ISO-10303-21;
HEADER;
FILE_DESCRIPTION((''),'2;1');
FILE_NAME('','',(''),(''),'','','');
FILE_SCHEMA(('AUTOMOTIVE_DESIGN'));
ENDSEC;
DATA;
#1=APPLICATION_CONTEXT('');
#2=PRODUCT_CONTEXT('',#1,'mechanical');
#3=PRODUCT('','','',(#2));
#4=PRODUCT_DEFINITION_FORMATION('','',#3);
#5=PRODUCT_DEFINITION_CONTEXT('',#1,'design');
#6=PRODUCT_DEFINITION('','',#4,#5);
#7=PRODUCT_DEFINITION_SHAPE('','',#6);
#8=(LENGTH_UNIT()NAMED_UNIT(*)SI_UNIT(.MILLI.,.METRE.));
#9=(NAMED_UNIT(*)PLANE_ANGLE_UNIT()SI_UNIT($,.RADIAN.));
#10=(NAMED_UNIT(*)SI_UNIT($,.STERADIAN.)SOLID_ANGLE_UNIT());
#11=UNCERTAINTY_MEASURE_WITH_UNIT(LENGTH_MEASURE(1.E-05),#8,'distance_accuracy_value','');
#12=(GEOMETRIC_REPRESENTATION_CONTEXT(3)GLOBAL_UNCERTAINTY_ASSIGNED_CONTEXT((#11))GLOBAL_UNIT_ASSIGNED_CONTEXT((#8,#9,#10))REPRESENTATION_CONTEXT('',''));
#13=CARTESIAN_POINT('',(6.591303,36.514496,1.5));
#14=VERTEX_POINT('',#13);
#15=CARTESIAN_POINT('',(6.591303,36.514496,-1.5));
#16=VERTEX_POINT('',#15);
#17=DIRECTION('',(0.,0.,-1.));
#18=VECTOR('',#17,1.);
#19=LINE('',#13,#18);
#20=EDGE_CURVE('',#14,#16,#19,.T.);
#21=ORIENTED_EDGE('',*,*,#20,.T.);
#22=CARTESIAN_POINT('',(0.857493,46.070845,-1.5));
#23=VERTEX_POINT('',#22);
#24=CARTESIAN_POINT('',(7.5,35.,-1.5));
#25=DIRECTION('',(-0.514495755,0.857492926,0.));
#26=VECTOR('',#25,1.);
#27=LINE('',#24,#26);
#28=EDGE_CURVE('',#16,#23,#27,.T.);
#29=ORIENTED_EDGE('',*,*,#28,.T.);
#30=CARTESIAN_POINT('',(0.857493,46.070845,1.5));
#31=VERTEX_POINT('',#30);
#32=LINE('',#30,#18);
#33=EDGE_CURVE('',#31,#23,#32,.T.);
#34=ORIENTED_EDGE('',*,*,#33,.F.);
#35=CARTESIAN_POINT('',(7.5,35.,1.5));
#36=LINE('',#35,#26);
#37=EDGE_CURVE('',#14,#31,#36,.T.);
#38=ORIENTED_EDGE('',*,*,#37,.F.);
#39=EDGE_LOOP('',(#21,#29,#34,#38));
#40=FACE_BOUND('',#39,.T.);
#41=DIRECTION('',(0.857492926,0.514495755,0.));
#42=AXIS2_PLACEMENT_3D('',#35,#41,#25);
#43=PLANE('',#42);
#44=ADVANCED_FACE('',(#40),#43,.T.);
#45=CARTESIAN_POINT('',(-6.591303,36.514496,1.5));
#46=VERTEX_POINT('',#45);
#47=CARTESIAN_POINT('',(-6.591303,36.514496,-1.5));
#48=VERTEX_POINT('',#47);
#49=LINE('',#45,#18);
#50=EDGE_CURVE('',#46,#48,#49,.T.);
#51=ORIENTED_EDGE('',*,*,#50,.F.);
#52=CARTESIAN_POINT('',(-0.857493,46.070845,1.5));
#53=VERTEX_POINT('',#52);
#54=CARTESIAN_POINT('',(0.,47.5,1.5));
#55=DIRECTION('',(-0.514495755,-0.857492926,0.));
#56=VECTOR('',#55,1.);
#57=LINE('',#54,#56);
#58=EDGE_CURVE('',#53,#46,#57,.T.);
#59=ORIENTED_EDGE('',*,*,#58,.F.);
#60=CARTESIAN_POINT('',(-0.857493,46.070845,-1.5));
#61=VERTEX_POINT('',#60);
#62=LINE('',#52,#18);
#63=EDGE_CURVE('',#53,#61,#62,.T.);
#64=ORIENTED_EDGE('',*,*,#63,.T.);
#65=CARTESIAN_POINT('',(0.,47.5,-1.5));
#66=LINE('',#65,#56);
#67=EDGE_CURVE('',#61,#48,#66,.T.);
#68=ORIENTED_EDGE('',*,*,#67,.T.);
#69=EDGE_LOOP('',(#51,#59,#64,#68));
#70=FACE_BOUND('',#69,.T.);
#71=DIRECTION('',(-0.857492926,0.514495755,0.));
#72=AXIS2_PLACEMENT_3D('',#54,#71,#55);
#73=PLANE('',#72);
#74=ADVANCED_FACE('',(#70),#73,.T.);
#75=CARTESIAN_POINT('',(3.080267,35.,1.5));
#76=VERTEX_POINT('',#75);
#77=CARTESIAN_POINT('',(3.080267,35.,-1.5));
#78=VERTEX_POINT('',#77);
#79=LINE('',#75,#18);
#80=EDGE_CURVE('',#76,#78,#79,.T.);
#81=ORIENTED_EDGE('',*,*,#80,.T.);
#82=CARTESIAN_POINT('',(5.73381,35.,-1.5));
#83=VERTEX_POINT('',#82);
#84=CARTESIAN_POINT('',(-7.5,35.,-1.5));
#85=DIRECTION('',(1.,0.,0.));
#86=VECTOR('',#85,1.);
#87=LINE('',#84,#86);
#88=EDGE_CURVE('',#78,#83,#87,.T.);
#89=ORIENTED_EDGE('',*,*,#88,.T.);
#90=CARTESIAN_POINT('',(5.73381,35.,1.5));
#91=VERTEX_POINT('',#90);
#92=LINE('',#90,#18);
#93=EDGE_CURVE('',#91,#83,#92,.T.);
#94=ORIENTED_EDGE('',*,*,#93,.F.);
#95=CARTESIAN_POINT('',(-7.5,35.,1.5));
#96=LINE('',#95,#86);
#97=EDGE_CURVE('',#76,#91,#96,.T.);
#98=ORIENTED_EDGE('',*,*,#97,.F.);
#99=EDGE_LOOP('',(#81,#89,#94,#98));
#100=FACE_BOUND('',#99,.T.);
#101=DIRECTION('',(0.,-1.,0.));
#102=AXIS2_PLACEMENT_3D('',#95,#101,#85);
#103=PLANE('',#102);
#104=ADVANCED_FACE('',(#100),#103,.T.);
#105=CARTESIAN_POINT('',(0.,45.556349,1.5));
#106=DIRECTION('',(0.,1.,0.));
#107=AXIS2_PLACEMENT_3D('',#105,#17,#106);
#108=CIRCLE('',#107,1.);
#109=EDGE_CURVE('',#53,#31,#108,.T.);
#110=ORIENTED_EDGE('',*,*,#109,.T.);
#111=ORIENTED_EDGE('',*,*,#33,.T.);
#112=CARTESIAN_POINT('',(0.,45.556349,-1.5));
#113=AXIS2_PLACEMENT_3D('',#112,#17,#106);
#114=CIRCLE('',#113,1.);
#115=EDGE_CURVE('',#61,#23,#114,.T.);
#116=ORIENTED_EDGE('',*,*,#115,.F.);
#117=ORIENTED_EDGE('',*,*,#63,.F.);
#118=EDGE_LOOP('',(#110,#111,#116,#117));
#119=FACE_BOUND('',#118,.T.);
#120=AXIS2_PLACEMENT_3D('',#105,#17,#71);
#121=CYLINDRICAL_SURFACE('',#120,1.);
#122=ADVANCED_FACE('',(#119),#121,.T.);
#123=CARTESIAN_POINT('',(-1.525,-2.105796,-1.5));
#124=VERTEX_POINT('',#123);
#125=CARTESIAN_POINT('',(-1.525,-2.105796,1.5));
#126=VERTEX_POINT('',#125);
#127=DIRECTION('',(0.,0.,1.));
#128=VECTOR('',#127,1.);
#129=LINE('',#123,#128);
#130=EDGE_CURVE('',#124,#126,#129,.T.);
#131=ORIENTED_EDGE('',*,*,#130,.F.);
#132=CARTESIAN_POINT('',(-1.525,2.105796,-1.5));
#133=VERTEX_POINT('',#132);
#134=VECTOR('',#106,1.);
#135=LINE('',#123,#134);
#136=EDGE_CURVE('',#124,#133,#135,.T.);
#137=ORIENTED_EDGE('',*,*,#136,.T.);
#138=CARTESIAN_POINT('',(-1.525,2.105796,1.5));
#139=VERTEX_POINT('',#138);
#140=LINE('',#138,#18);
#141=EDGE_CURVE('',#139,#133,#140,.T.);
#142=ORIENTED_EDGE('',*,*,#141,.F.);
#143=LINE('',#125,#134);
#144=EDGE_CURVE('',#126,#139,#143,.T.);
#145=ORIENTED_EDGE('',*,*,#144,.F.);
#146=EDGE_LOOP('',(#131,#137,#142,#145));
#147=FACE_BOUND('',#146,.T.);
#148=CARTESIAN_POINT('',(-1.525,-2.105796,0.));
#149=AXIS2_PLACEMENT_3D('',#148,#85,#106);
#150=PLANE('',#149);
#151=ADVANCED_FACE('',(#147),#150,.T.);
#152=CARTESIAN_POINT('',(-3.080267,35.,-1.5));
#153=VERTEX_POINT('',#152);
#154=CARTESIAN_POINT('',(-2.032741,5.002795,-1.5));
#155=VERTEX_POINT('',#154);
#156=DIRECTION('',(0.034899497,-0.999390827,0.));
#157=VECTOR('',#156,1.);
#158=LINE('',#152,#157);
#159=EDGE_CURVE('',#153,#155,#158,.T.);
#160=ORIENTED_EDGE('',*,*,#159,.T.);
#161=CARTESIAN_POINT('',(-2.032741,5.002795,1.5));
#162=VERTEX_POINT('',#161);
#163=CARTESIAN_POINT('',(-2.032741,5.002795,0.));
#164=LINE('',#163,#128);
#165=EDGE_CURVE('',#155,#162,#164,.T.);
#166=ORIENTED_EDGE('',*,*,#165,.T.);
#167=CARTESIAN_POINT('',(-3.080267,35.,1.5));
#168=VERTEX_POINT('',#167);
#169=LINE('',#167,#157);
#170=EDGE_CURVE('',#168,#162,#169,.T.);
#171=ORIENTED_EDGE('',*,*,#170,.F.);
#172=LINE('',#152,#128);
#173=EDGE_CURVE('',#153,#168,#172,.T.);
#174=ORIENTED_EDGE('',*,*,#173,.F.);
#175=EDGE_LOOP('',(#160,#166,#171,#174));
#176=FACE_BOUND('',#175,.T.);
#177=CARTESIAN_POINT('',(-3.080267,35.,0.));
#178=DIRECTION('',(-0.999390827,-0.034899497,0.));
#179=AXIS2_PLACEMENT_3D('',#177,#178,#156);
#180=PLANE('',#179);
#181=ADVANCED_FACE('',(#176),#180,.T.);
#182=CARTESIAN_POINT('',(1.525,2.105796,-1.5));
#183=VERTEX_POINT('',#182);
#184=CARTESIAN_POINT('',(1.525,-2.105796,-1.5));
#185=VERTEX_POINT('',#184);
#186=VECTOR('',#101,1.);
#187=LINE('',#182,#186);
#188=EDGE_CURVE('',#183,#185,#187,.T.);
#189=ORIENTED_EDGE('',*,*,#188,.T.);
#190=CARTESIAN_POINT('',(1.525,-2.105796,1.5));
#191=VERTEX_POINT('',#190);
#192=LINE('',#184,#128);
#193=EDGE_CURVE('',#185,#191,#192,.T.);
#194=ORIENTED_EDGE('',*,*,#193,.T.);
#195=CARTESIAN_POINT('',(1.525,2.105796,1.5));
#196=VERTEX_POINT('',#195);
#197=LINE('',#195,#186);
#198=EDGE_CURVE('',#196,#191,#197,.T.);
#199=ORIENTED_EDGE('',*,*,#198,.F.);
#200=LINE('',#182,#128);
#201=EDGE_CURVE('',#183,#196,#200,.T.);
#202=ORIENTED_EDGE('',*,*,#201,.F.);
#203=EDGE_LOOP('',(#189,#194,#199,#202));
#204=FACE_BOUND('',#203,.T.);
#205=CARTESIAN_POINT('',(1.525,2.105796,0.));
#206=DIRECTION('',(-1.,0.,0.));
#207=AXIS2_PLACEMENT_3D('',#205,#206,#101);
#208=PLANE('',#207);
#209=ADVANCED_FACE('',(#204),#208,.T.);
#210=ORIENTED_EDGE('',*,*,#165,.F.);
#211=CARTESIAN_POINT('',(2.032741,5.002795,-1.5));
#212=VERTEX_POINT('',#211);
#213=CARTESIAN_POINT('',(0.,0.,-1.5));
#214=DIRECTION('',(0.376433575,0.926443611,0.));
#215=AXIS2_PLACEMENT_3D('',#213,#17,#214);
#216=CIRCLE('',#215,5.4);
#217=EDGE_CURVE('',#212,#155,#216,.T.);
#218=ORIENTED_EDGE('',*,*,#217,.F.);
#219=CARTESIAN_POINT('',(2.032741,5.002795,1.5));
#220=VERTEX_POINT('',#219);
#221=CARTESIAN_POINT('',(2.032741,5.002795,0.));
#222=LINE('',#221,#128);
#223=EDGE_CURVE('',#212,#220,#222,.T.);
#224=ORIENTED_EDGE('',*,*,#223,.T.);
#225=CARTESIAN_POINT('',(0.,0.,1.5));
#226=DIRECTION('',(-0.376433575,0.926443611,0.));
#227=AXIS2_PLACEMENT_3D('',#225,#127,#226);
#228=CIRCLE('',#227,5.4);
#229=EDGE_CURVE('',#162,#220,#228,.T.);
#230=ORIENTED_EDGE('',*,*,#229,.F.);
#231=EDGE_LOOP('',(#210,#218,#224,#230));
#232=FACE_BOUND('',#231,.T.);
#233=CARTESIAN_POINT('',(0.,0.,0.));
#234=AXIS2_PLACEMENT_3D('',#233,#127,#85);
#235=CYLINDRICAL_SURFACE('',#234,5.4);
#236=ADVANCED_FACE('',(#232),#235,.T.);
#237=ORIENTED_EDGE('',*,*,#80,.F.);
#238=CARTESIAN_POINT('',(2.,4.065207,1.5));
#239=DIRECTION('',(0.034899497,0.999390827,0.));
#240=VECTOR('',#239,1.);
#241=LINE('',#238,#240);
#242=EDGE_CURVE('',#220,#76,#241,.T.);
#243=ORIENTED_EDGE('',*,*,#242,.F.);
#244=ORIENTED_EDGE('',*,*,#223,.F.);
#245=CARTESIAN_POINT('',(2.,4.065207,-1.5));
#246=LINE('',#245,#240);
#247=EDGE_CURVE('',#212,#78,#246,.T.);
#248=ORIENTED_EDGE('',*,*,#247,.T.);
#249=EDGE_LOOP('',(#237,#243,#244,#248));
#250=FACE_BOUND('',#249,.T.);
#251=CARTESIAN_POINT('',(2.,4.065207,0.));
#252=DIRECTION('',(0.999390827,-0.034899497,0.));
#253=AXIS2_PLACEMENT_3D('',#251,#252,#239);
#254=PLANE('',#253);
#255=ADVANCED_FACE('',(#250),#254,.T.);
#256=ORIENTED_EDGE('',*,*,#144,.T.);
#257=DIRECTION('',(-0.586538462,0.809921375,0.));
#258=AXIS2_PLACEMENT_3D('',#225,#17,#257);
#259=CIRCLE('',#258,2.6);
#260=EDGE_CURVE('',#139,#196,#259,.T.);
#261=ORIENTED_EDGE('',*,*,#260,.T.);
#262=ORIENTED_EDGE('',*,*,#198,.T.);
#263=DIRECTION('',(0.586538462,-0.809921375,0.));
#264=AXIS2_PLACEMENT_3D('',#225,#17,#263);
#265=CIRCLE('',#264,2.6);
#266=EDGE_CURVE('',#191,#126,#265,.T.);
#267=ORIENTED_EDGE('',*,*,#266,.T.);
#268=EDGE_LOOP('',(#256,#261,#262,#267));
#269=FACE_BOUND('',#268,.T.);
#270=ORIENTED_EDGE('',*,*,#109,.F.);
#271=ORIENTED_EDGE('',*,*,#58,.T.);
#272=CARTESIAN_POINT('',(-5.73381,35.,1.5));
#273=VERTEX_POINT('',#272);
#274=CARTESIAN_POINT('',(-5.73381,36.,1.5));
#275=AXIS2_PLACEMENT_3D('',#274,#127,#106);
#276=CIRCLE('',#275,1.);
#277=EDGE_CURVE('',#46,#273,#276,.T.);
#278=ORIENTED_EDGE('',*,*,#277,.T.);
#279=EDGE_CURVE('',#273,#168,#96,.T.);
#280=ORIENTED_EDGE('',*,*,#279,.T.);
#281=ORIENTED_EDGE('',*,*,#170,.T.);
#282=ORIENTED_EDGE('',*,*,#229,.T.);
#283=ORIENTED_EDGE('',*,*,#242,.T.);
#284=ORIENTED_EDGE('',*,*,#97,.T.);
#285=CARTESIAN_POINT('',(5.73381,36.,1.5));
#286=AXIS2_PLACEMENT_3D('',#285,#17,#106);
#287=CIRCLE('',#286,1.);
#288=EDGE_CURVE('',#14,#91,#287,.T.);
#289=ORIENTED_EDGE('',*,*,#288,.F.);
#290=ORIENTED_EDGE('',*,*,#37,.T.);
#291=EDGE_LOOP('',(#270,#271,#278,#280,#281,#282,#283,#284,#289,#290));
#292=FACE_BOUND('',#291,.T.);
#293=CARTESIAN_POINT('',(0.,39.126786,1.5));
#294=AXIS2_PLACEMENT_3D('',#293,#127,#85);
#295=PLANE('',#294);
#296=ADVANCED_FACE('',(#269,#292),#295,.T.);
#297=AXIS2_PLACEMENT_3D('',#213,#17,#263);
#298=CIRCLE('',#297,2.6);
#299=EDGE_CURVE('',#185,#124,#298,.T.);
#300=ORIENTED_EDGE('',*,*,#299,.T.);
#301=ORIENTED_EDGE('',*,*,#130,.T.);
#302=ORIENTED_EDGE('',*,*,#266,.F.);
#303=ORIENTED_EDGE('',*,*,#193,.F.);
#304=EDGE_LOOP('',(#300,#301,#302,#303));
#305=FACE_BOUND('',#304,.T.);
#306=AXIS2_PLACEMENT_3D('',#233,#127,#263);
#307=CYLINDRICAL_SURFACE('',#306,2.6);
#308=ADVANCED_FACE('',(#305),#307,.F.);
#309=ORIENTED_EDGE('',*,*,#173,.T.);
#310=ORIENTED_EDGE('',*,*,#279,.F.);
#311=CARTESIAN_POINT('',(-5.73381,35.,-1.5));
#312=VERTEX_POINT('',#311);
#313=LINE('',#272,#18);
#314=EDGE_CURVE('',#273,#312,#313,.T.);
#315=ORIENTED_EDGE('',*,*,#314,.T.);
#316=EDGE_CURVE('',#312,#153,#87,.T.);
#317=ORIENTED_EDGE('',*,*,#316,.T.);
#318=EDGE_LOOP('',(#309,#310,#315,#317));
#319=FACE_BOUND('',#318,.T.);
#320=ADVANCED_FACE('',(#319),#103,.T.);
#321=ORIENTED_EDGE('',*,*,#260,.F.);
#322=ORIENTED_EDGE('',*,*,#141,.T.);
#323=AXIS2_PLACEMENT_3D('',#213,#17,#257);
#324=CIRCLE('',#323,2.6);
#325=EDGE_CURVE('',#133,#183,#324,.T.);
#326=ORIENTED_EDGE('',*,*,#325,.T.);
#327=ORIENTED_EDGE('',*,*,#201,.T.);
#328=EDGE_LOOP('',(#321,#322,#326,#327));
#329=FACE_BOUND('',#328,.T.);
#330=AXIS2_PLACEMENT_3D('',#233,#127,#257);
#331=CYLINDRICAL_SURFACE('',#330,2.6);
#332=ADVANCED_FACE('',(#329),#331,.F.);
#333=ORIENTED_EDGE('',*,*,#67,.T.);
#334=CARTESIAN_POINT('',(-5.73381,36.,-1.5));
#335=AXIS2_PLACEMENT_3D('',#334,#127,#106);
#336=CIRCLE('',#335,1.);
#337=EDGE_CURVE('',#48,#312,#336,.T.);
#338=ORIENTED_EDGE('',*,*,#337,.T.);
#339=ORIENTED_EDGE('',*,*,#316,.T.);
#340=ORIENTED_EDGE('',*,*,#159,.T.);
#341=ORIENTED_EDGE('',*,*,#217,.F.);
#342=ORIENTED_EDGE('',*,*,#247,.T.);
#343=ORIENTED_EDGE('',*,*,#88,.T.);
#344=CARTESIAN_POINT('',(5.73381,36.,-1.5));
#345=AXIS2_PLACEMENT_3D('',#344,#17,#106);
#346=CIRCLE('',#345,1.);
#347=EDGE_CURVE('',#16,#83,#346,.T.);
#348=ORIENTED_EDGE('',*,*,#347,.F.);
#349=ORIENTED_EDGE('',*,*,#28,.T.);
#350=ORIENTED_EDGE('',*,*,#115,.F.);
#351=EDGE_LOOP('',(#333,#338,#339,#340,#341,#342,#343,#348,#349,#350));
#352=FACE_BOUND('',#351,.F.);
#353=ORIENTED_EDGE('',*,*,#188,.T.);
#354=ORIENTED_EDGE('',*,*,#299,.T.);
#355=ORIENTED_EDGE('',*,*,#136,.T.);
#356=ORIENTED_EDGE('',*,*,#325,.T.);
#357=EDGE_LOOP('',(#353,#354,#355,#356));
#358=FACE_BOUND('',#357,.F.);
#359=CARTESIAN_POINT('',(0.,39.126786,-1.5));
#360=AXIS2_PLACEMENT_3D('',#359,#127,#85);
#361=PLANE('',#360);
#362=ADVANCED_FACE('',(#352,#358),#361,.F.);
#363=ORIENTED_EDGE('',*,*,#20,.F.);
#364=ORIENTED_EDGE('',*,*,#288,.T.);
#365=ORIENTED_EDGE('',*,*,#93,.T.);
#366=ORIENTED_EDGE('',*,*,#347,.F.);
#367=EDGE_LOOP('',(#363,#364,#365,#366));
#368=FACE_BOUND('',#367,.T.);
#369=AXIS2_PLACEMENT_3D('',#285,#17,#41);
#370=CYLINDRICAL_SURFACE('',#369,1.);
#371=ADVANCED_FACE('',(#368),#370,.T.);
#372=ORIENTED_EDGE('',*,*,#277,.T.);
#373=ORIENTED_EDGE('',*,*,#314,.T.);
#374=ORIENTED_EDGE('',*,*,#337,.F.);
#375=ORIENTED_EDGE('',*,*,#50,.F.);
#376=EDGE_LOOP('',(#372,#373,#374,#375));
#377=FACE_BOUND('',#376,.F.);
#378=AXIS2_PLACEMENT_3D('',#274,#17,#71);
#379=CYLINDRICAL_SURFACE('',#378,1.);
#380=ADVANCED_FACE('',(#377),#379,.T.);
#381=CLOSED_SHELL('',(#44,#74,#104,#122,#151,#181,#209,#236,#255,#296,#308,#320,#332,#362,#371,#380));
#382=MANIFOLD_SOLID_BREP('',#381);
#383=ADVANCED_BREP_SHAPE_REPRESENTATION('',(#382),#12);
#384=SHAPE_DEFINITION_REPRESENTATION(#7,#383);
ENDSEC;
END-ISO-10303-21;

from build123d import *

# Parameters (mm, degrees)
F0_R     = 5.4
F1_DEPTH = 1.5
F3_DEPTH = 1.5
F5_DEPTH = 3
F6_R     = 1


with BuildPart() as f1:
    # F0 (on Top) → F1 (new body, symmetric)
    with BuildSketch(Plane.XY):
        Circle(F0_R)
        with BuildLine():
            ThreePointArc((1.525, 2.1057955741), (2.3157072354, 1.1821590418), (2.6, 0))
            ThreePointArc((2.6, 0), (2.3157072354, -1.1821590418), (1.525, -2.1057955741))
            ThreePointArc((1.525, -2.1057955741), (0, -2.6), (-1.525, -2.1057955741))
            ThreePointArc((-1.525, -2.1057955741), (-2.6, 0), (-1.525, 2.1057955741))
            ThreePointArc((-1.525, 2.1057955741), (0, 2.6), (1.525, 2.1057955741))
        make_face(mode=Mode.SUBTRACT)
        with BuildLine():
            Line((-1.525, -2.1057955741), (-1.525, 2.1057955741))
            ThreePointArc((-1.525, 2.1057955741), (-2.6, 0), (-1.525, -2.1057955741))
        make_face()
        with BuildLine():
            ThreePointArc((1.525, -2.1057955741), (2.3157072354, -1.1821590418), (2.6, 0))
            ThreePointArc((2.6, 0), (2.3157072354, 1.1821590418), (1.525, 2.1057955741))
            Line((1.525, 2.1057955741), (1.525, -2.1057955741))
        make_face()
    extrude(amount=F1_DEPTH, both=True)

    # F2 (on Top) → F3 (join, symmetric)
    with BuildSketch(Plane.XY):
        Polygon((3.0802667684, 35), (0, 35), (-3.0802667684, 35), (-2, 4.0652072057), (0, 4.0652072057), (2, 4.0652072057), align=None)
    extrude(amount=F3_DEPTH, both=True)

    # F4 (on face) → F5 (join, through all)
    with BuildSketch(Plane.XY.offset(1.5)):
        Polygon((0, 47.5), (-7.5, 35), (-3.0802667684, 35), (3.0802667684, 35), (7.5, 35), align=None)
    extrude(amount=-F5_DEPTH)

    # F6
    f6_edges = [f1.edges().sort_by_distance(p)[0] for p in [
        (-7.5, 35, 0),
        (0, 47.5, 0),
        (7.5, 35, 0),
    ]]
    fillet(f6_edges, radius=F6_R)


solid = f1.part
